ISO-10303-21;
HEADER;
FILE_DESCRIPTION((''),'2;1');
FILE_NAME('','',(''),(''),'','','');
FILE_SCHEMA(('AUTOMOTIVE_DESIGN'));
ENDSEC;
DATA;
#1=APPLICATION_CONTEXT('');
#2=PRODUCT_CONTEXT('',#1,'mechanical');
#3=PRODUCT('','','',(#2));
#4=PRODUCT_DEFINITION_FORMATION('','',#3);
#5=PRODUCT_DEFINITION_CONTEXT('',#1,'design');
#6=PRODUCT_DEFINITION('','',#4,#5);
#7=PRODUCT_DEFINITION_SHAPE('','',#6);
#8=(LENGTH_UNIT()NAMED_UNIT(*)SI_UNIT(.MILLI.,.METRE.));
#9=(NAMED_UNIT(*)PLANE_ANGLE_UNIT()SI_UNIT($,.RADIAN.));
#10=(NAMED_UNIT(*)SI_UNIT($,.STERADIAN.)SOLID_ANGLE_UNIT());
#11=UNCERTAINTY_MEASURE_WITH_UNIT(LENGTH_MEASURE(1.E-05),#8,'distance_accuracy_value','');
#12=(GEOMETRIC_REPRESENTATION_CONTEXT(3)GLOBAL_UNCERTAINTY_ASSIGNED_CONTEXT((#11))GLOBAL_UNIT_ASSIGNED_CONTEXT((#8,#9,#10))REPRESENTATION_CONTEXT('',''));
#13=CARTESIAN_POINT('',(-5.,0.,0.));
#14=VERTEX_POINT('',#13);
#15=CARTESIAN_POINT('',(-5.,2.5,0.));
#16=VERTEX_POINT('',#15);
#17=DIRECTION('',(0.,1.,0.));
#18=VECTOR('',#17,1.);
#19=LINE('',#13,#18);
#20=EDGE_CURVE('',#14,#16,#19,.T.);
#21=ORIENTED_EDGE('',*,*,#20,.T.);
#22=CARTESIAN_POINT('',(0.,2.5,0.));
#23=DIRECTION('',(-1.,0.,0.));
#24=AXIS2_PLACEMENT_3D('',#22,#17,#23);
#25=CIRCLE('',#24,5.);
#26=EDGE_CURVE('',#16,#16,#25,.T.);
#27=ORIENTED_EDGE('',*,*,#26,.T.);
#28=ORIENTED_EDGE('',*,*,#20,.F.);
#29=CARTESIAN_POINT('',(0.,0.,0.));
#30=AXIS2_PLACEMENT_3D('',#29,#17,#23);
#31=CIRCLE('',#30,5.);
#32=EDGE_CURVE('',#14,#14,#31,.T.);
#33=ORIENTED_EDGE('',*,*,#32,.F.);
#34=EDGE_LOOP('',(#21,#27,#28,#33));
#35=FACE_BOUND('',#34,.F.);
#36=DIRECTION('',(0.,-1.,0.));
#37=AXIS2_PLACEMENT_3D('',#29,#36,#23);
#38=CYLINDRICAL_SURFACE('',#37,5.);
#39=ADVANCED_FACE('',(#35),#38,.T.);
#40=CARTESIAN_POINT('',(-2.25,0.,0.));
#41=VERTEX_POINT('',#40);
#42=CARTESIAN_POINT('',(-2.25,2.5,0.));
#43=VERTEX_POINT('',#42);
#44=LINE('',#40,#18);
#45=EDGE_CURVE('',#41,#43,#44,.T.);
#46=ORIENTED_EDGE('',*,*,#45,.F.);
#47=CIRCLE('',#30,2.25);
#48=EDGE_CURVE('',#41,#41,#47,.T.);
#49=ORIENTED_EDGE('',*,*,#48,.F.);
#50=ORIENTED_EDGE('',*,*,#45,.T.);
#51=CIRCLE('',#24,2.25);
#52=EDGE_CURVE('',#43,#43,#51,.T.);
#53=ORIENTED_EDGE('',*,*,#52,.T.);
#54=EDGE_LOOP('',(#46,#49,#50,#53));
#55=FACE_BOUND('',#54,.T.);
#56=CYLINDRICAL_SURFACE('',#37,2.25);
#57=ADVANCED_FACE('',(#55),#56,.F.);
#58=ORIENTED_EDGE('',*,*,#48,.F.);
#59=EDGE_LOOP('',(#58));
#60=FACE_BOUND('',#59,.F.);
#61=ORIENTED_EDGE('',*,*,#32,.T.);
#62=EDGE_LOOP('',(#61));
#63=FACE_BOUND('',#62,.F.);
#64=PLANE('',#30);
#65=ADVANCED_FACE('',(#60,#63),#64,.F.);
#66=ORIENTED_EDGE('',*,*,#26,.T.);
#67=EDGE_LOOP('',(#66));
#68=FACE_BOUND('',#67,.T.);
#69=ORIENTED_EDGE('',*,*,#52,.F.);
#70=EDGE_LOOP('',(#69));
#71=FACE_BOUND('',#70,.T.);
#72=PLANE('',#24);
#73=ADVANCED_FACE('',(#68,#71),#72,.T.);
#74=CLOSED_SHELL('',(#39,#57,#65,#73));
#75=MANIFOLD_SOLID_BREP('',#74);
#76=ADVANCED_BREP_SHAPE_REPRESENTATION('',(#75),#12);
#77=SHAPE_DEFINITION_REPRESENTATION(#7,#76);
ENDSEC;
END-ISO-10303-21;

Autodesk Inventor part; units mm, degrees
ref_plane "YZ Plane" through (0, 0, 0) normal (1, 0, 0) x (0, 1, 0)
ref_plane "XZ Plane" through (0, 0, 0) normal (0, 1, 0) x (-1, 0, 0)
ref_plane "XY Plane" through (0, 0, 0) normal (0, 0, 1) x (1, 0, 0)
sketch "Sketch1" plane through (0, 0, 0) normal (0, 1, 0) x (-1, 0, 0)
  circle A0 centre (0, 0) radius 2.25
  circle A1 centre (0, 0) radius 5
  dimension "d0" = 4.5
  dimension "d1" = 10
extrude "Extrusion1" add sketch "Sketch1" along normal blind 2.5
properties part number "Spacer_M4_2.5mm"
